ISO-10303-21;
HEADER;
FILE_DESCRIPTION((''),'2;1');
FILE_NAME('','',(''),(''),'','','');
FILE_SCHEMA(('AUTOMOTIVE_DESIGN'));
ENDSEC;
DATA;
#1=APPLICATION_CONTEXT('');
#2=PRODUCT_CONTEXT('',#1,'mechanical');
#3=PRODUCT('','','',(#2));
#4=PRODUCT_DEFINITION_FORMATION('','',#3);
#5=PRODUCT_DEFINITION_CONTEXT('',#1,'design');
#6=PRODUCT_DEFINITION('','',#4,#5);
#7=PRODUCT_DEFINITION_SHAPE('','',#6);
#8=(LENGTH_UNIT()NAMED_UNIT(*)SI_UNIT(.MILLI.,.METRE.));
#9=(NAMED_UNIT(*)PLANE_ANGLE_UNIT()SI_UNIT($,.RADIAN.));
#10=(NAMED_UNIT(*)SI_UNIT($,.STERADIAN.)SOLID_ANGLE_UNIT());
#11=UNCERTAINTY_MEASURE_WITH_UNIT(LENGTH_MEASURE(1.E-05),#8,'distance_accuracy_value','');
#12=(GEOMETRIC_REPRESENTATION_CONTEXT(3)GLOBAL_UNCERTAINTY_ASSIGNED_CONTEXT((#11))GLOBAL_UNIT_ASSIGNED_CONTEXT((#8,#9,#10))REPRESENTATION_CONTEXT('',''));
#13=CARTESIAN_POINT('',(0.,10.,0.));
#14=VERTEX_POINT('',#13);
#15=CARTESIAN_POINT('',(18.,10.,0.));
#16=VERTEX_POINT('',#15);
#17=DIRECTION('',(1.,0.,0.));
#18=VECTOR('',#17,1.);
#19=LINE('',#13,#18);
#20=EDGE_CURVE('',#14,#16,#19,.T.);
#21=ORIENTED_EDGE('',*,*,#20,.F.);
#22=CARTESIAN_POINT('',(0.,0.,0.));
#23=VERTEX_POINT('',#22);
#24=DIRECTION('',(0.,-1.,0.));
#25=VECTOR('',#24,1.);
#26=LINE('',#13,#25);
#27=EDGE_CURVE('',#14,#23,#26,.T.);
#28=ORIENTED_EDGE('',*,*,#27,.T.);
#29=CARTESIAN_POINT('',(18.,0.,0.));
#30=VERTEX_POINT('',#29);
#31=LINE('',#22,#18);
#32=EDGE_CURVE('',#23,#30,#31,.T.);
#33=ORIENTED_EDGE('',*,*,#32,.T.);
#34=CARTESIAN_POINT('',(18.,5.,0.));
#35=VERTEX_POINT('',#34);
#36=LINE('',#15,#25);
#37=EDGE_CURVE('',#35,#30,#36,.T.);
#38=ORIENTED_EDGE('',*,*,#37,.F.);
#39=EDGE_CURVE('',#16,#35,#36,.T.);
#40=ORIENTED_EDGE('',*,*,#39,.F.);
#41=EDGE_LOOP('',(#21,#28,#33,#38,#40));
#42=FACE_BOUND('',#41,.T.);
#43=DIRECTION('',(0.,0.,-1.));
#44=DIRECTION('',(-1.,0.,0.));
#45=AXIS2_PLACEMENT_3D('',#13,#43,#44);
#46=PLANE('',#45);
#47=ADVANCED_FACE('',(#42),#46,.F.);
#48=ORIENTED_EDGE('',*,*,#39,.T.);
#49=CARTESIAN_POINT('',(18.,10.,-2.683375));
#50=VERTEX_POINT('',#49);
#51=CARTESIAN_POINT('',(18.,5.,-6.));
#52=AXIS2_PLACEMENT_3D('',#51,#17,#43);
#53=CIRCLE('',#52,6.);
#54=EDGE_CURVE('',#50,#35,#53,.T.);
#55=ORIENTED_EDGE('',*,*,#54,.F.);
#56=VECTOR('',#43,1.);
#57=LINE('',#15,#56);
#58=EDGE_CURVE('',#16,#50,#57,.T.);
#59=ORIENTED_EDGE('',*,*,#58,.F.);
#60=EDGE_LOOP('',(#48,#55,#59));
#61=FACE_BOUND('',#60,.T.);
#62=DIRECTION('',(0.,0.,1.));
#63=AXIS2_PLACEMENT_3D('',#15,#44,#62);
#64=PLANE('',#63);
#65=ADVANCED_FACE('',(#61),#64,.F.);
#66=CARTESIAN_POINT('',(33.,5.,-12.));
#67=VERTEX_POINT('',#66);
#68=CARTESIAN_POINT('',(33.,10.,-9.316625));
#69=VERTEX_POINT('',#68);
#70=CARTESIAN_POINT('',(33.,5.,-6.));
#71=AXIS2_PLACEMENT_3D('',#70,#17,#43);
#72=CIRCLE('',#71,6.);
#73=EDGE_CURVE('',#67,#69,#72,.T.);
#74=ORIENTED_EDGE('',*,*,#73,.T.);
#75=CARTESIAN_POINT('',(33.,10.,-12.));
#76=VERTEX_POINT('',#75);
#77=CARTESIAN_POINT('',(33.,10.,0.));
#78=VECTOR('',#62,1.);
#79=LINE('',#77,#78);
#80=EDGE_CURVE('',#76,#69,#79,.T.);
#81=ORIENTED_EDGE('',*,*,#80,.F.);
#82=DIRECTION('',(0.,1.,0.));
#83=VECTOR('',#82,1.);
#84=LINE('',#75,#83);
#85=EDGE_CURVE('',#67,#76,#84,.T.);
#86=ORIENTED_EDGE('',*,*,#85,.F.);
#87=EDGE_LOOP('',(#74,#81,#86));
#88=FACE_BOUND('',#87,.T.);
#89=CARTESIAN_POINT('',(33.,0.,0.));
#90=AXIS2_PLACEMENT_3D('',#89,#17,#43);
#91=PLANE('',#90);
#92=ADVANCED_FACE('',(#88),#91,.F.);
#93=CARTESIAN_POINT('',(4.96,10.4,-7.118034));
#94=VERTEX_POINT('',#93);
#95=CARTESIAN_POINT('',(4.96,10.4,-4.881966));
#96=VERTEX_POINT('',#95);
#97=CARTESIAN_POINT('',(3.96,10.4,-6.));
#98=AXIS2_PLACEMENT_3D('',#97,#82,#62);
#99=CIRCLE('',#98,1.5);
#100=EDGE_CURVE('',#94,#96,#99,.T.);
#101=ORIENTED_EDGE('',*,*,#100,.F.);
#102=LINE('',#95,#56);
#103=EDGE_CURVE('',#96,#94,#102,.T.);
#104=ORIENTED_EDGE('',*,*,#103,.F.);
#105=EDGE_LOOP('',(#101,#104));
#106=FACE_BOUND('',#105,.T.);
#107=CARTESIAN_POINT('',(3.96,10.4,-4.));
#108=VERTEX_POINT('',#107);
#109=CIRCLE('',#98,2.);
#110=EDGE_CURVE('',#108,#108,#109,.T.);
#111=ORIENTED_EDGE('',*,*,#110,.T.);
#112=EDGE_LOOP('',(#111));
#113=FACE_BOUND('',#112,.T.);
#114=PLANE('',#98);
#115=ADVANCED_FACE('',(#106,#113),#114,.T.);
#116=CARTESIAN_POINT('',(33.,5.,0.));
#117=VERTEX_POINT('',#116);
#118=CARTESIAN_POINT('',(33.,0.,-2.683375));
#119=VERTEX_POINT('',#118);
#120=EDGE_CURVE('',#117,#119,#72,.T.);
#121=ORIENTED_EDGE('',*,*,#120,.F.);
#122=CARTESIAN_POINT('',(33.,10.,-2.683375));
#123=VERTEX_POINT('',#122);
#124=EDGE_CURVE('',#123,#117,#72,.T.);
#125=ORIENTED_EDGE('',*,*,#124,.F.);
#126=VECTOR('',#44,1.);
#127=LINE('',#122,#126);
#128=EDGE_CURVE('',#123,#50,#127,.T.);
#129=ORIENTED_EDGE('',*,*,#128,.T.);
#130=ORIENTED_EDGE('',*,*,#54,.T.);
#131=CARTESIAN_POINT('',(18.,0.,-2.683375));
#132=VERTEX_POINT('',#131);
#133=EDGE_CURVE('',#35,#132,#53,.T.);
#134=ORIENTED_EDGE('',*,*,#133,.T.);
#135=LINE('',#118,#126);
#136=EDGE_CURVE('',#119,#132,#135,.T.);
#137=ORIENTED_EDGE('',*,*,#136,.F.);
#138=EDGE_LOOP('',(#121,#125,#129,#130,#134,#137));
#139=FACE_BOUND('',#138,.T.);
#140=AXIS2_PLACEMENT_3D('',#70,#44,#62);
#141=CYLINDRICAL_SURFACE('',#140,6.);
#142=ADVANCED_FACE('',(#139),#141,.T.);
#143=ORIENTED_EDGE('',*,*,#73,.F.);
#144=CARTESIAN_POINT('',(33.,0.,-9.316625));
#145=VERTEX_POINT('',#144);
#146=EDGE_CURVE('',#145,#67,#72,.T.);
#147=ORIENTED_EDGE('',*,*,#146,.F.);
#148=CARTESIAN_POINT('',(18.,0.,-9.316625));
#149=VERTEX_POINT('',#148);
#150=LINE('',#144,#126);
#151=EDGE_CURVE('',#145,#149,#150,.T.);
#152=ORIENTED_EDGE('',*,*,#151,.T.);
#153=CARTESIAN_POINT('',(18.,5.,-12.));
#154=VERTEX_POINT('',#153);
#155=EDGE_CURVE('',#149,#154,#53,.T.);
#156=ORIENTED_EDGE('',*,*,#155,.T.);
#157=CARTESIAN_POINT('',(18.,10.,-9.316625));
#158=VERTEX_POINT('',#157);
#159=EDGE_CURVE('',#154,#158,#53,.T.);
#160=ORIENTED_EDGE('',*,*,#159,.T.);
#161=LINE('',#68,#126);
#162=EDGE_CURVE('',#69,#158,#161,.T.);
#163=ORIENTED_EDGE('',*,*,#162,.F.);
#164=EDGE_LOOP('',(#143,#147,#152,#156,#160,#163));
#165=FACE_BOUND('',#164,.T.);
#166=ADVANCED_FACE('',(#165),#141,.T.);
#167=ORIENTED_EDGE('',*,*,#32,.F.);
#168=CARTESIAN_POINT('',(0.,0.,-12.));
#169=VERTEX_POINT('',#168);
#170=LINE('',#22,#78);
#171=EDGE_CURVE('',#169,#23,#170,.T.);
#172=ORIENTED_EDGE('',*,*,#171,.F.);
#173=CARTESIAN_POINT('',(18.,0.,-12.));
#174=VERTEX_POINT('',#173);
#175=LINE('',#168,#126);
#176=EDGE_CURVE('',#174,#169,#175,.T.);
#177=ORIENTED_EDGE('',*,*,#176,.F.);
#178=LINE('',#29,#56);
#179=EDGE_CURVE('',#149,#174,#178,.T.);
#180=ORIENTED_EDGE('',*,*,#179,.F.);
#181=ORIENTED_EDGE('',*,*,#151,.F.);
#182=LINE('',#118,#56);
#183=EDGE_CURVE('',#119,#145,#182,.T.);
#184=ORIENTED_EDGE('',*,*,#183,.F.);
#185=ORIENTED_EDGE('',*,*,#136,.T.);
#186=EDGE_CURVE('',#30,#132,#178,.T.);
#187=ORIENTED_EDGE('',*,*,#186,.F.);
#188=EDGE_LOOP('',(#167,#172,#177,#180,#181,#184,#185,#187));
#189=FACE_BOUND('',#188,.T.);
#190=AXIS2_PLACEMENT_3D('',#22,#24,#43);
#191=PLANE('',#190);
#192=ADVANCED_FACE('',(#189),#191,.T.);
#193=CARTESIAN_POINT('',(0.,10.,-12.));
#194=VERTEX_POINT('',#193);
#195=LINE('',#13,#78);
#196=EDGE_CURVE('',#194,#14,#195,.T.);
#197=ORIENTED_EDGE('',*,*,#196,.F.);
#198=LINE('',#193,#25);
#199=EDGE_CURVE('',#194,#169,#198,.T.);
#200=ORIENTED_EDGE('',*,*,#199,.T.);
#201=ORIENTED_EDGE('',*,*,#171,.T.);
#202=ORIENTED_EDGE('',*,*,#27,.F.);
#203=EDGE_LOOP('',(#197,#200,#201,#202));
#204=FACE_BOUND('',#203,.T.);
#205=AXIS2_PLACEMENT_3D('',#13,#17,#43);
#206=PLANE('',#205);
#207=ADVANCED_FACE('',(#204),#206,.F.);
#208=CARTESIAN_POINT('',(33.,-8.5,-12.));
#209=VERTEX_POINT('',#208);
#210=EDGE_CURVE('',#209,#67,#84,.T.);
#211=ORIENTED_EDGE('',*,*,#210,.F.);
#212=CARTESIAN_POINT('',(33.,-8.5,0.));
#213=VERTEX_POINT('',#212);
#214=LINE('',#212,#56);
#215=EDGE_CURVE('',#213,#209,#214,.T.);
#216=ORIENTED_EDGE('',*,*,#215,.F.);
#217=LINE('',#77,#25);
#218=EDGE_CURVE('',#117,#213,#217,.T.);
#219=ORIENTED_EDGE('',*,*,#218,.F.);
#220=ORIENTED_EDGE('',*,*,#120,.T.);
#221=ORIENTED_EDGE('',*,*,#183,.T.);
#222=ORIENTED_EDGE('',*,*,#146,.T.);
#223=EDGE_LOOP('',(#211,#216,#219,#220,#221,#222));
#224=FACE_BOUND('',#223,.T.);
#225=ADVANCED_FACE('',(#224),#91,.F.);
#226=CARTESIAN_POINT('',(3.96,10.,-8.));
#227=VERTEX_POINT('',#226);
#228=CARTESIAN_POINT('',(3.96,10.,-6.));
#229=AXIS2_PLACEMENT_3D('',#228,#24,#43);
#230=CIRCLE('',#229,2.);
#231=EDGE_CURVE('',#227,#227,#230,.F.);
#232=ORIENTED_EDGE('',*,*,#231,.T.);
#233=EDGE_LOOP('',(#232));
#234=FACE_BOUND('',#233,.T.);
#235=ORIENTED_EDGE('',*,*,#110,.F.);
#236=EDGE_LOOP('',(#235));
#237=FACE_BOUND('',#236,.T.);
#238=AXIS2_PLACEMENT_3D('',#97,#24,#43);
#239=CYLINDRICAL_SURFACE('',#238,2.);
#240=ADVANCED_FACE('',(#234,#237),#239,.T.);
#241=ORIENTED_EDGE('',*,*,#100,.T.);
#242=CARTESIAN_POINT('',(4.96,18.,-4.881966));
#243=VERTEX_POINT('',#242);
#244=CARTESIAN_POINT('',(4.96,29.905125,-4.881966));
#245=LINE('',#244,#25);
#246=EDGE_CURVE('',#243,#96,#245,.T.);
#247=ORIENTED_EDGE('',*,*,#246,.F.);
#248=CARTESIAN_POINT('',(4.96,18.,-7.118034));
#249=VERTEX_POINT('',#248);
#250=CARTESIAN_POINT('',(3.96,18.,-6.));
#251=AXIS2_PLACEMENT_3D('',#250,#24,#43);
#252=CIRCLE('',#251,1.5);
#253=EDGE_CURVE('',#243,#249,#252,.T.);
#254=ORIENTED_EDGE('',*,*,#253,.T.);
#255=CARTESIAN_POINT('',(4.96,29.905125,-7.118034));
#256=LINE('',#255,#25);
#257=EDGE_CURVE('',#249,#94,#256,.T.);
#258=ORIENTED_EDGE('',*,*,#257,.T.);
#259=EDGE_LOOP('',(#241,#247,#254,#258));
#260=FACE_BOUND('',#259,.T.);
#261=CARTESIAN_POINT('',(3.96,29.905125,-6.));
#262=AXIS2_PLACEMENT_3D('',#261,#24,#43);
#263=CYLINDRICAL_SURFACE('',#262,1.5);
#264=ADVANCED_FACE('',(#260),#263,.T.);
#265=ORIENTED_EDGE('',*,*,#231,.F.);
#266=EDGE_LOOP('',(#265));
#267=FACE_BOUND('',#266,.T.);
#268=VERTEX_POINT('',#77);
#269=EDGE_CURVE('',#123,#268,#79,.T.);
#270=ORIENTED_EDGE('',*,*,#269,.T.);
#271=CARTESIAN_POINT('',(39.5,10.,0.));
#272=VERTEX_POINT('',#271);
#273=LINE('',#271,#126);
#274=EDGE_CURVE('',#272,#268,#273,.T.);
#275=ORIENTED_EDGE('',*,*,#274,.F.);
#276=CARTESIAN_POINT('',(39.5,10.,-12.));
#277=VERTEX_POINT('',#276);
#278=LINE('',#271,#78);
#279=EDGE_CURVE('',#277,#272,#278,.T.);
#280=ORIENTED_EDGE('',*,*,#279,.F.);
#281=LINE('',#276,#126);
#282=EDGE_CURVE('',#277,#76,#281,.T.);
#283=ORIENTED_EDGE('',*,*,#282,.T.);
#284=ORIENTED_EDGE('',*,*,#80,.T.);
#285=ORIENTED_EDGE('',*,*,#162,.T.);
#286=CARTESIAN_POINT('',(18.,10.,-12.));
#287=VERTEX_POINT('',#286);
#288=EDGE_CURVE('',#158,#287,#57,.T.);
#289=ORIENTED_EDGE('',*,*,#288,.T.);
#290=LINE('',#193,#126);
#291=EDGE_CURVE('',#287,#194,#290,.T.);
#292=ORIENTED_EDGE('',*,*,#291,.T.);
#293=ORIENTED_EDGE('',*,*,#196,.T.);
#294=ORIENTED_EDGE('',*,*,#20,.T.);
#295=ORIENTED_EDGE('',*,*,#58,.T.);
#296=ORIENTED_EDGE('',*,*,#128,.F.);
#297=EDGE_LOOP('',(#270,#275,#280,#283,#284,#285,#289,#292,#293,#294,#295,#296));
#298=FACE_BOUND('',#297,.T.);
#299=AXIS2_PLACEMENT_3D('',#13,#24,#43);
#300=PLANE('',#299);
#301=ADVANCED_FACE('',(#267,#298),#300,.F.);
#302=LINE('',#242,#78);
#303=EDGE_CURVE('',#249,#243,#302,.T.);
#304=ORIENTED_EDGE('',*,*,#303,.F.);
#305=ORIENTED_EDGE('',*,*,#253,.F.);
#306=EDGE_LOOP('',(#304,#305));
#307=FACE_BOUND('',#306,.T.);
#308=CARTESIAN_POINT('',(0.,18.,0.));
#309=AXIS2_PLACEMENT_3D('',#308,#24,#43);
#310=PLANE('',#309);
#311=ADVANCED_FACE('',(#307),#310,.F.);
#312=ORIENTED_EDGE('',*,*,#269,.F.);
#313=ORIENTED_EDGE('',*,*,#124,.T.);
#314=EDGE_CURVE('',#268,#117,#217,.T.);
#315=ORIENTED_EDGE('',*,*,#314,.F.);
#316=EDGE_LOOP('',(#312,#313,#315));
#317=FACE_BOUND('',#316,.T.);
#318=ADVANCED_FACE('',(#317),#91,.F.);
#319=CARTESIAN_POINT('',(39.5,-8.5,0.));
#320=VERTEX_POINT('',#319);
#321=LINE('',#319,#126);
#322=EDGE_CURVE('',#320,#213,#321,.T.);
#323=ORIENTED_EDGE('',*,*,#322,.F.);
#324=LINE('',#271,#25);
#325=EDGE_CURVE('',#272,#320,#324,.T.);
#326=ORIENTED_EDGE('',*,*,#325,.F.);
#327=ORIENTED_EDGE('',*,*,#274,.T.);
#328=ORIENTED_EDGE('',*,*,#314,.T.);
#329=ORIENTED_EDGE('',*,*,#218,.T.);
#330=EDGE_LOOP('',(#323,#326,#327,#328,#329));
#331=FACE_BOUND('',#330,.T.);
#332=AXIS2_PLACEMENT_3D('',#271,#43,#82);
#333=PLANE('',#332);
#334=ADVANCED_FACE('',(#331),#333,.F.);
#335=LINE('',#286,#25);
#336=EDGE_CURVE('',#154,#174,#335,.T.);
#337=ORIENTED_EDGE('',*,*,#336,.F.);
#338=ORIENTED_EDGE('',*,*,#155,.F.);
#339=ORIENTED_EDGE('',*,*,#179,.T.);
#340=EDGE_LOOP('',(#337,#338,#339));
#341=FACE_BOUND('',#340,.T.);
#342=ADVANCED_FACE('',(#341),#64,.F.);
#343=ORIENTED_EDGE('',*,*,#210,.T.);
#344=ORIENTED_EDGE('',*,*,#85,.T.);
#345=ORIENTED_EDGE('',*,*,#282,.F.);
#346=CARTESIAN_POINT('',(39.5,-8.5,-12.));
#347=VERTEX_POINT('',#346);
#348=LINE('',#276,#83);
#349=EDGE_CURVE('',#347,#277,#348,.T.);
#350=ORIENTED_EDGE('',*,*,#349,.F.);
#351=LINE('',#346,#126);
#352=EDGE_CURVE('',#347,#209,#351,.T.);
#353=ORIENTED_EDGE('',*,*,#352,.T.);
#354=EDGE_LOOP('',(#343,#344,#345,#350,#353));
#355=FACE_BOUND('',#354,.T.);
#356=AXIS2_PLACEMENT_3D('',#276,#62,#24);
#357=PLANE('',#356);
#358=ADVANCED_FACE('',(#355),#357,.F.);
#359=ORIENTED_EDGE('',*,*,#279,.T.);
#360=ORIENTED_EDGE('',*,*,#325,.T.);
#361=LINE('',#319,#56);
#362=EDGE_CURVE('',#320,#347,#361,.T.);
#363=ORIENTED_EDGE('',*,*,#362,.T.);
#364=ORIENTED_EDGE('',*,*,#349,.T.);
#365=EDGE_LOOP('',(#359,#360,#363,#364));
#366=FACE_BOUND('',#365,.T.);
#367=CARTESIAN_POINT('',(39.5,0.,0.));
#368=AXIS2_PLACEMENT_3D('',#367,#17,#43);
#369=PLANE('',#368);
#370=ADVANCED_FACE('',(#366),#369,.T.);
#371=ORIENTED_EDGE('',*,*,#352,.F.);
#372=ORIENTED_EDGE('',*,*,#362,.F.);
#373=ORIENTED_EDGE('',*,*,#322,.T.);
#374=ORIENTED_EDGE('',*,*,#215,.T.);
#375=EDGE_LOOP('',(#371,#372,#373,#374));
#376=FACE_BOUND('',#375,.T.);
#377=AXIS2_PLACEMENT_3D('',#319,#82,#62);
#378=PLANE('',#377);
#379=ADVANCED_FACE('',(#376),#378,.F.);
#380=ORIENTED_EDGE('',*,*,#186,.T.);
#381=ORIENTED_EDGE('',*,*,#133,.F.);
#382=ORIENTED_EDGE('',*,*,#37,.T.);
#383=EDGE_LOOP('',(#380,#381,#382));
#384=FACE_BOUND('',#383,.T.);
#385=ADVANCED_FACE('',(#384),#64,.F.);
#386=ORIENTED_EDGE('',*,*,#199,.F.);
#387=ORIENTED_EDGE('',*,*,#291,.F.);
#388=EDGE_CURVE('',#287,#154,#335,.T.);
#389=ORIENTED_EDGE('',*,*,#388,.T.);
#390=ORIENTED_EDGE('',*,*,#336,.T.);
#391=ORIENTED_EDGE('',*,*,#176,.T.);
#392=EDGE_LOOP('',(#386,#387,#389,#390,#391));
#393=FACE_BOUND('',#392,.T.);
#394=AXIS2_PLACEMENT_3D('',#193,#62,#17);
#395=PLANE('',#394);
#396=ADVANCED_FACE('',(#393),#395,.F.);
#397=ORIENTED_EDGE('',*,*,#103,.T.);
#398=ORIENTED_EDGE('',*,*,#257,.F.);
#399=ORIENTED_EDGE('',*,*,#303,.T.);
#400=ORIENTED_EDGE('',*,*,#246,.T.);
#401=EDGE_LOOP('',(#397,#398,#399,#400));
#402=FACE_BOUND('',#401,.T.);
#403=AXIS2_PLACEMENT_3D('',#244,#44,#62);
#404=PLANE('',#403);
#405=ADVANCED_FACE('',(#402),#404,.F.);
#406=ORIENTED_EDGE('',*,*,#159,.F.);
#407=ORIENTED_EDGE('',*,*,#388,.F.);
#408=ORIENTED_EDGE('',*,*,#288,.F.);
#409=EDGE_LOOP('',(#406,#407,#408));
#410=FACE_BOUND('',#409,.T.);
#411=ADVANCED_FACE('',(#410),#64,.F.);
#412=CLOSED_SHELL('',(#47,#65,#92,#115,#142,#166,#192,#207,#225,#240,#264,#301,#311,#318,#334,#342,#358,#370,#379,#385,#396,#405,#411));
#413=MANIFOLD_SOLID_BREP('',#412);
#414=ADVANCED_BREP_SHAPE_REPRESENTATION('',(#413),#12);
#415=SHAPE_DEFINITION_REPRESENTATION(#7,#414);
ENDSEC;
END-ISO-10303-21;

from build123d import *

# Parameters (mm, degrees)
SKETCH_1_W      = 18
SKETCH_1_H      = 12
EXTRUDE_1_DEPTH = 10
EXTRUDE_2_DEPTH = 15
SKETCH_3_R      = 2
EXTRUDE_3_DEPTH = 0.4
EXTRUDE_5_DEPTH = 7.6
SKETCH_5_W      = 12
SKETCH_5_H      = 18.5
EXTRUDE_6_DEPTH = 6.5


with BuildPart() as part:
    # 草图1 → 凸台-拉伸1 (new body)
    with BuildSketch(Plane(origin=(0, 0, 0), x_dir=(1, 0, 0), z_dir=(0, 1, 0))):
        with Locations((9, 6)):
            Rectangle(SKETCH_1_W, SKETCH_1_H)
    extrude(amount=EXTRUDE_1_DEPTH)

    # 草图2 → 凸台-拉伸2 (add)
    with BuildSketch(Plane(origin=(18, 0, 0), x_dir=(0, 0, -1), z_dir=(1, 0, 0))):
        with BuildLine():
            Line((2.68337521, 10), (9.31662479, 10))
            ThreePointArc((9.31662479, 10), (12, 5), (9.31662479, 0))
            Line((9.31662479, 0), (2.68337521, 0))
            ThreePointArc((2.68337521, 0), (0, 5), (2.68337521, 10))
        make_face()
    extrude(amount=EXTRUDE_2_DEPTH)

    # 草图3 → 凸台-拉伸3 (add)
    with BuildSketch(Plane(origin=(0, 10, 0), x_dir=(1, 0, 0), z_dir=(0, 1, 0))):
        with Locations(Location((3.96, 6, 0), (0, 0, 90))):
            Circle(SKETCH_3_R)
    extrude(amount=EXTRUDE_3_DEPTH)

    # 草图4 → 凸台-拉伸5 (add)
    with BuildSketch(Plane(origin=(0, 10.4, 0), x_dir=(1, 0, 0), z_dir=(0, 1, 0))):
        with BuildLine():
            Line((4.96, 4.881966011), (4.96, 7.118033989))
            ThreePointArc((4.96, 7.118033989), (2.46, 6), (4.96, 4.881966011))
        make_face()
    extrude(amount=EXTRUDE_5_DEPTH)

    # 草图5 → 凸台-拉伸6 (add)
    with BuildSketch(Plane(origin=(33, 0, 0), x_dir=(0, 0, -1), z_dir=(1, 0, 0))):
        with Locations((6, 0.75)):
            Rectangle(SKETCH_5_W, SKETCH_5_H)
    extrude(amount=EXTRUDE_6_DEPTH)


solid = part.part
